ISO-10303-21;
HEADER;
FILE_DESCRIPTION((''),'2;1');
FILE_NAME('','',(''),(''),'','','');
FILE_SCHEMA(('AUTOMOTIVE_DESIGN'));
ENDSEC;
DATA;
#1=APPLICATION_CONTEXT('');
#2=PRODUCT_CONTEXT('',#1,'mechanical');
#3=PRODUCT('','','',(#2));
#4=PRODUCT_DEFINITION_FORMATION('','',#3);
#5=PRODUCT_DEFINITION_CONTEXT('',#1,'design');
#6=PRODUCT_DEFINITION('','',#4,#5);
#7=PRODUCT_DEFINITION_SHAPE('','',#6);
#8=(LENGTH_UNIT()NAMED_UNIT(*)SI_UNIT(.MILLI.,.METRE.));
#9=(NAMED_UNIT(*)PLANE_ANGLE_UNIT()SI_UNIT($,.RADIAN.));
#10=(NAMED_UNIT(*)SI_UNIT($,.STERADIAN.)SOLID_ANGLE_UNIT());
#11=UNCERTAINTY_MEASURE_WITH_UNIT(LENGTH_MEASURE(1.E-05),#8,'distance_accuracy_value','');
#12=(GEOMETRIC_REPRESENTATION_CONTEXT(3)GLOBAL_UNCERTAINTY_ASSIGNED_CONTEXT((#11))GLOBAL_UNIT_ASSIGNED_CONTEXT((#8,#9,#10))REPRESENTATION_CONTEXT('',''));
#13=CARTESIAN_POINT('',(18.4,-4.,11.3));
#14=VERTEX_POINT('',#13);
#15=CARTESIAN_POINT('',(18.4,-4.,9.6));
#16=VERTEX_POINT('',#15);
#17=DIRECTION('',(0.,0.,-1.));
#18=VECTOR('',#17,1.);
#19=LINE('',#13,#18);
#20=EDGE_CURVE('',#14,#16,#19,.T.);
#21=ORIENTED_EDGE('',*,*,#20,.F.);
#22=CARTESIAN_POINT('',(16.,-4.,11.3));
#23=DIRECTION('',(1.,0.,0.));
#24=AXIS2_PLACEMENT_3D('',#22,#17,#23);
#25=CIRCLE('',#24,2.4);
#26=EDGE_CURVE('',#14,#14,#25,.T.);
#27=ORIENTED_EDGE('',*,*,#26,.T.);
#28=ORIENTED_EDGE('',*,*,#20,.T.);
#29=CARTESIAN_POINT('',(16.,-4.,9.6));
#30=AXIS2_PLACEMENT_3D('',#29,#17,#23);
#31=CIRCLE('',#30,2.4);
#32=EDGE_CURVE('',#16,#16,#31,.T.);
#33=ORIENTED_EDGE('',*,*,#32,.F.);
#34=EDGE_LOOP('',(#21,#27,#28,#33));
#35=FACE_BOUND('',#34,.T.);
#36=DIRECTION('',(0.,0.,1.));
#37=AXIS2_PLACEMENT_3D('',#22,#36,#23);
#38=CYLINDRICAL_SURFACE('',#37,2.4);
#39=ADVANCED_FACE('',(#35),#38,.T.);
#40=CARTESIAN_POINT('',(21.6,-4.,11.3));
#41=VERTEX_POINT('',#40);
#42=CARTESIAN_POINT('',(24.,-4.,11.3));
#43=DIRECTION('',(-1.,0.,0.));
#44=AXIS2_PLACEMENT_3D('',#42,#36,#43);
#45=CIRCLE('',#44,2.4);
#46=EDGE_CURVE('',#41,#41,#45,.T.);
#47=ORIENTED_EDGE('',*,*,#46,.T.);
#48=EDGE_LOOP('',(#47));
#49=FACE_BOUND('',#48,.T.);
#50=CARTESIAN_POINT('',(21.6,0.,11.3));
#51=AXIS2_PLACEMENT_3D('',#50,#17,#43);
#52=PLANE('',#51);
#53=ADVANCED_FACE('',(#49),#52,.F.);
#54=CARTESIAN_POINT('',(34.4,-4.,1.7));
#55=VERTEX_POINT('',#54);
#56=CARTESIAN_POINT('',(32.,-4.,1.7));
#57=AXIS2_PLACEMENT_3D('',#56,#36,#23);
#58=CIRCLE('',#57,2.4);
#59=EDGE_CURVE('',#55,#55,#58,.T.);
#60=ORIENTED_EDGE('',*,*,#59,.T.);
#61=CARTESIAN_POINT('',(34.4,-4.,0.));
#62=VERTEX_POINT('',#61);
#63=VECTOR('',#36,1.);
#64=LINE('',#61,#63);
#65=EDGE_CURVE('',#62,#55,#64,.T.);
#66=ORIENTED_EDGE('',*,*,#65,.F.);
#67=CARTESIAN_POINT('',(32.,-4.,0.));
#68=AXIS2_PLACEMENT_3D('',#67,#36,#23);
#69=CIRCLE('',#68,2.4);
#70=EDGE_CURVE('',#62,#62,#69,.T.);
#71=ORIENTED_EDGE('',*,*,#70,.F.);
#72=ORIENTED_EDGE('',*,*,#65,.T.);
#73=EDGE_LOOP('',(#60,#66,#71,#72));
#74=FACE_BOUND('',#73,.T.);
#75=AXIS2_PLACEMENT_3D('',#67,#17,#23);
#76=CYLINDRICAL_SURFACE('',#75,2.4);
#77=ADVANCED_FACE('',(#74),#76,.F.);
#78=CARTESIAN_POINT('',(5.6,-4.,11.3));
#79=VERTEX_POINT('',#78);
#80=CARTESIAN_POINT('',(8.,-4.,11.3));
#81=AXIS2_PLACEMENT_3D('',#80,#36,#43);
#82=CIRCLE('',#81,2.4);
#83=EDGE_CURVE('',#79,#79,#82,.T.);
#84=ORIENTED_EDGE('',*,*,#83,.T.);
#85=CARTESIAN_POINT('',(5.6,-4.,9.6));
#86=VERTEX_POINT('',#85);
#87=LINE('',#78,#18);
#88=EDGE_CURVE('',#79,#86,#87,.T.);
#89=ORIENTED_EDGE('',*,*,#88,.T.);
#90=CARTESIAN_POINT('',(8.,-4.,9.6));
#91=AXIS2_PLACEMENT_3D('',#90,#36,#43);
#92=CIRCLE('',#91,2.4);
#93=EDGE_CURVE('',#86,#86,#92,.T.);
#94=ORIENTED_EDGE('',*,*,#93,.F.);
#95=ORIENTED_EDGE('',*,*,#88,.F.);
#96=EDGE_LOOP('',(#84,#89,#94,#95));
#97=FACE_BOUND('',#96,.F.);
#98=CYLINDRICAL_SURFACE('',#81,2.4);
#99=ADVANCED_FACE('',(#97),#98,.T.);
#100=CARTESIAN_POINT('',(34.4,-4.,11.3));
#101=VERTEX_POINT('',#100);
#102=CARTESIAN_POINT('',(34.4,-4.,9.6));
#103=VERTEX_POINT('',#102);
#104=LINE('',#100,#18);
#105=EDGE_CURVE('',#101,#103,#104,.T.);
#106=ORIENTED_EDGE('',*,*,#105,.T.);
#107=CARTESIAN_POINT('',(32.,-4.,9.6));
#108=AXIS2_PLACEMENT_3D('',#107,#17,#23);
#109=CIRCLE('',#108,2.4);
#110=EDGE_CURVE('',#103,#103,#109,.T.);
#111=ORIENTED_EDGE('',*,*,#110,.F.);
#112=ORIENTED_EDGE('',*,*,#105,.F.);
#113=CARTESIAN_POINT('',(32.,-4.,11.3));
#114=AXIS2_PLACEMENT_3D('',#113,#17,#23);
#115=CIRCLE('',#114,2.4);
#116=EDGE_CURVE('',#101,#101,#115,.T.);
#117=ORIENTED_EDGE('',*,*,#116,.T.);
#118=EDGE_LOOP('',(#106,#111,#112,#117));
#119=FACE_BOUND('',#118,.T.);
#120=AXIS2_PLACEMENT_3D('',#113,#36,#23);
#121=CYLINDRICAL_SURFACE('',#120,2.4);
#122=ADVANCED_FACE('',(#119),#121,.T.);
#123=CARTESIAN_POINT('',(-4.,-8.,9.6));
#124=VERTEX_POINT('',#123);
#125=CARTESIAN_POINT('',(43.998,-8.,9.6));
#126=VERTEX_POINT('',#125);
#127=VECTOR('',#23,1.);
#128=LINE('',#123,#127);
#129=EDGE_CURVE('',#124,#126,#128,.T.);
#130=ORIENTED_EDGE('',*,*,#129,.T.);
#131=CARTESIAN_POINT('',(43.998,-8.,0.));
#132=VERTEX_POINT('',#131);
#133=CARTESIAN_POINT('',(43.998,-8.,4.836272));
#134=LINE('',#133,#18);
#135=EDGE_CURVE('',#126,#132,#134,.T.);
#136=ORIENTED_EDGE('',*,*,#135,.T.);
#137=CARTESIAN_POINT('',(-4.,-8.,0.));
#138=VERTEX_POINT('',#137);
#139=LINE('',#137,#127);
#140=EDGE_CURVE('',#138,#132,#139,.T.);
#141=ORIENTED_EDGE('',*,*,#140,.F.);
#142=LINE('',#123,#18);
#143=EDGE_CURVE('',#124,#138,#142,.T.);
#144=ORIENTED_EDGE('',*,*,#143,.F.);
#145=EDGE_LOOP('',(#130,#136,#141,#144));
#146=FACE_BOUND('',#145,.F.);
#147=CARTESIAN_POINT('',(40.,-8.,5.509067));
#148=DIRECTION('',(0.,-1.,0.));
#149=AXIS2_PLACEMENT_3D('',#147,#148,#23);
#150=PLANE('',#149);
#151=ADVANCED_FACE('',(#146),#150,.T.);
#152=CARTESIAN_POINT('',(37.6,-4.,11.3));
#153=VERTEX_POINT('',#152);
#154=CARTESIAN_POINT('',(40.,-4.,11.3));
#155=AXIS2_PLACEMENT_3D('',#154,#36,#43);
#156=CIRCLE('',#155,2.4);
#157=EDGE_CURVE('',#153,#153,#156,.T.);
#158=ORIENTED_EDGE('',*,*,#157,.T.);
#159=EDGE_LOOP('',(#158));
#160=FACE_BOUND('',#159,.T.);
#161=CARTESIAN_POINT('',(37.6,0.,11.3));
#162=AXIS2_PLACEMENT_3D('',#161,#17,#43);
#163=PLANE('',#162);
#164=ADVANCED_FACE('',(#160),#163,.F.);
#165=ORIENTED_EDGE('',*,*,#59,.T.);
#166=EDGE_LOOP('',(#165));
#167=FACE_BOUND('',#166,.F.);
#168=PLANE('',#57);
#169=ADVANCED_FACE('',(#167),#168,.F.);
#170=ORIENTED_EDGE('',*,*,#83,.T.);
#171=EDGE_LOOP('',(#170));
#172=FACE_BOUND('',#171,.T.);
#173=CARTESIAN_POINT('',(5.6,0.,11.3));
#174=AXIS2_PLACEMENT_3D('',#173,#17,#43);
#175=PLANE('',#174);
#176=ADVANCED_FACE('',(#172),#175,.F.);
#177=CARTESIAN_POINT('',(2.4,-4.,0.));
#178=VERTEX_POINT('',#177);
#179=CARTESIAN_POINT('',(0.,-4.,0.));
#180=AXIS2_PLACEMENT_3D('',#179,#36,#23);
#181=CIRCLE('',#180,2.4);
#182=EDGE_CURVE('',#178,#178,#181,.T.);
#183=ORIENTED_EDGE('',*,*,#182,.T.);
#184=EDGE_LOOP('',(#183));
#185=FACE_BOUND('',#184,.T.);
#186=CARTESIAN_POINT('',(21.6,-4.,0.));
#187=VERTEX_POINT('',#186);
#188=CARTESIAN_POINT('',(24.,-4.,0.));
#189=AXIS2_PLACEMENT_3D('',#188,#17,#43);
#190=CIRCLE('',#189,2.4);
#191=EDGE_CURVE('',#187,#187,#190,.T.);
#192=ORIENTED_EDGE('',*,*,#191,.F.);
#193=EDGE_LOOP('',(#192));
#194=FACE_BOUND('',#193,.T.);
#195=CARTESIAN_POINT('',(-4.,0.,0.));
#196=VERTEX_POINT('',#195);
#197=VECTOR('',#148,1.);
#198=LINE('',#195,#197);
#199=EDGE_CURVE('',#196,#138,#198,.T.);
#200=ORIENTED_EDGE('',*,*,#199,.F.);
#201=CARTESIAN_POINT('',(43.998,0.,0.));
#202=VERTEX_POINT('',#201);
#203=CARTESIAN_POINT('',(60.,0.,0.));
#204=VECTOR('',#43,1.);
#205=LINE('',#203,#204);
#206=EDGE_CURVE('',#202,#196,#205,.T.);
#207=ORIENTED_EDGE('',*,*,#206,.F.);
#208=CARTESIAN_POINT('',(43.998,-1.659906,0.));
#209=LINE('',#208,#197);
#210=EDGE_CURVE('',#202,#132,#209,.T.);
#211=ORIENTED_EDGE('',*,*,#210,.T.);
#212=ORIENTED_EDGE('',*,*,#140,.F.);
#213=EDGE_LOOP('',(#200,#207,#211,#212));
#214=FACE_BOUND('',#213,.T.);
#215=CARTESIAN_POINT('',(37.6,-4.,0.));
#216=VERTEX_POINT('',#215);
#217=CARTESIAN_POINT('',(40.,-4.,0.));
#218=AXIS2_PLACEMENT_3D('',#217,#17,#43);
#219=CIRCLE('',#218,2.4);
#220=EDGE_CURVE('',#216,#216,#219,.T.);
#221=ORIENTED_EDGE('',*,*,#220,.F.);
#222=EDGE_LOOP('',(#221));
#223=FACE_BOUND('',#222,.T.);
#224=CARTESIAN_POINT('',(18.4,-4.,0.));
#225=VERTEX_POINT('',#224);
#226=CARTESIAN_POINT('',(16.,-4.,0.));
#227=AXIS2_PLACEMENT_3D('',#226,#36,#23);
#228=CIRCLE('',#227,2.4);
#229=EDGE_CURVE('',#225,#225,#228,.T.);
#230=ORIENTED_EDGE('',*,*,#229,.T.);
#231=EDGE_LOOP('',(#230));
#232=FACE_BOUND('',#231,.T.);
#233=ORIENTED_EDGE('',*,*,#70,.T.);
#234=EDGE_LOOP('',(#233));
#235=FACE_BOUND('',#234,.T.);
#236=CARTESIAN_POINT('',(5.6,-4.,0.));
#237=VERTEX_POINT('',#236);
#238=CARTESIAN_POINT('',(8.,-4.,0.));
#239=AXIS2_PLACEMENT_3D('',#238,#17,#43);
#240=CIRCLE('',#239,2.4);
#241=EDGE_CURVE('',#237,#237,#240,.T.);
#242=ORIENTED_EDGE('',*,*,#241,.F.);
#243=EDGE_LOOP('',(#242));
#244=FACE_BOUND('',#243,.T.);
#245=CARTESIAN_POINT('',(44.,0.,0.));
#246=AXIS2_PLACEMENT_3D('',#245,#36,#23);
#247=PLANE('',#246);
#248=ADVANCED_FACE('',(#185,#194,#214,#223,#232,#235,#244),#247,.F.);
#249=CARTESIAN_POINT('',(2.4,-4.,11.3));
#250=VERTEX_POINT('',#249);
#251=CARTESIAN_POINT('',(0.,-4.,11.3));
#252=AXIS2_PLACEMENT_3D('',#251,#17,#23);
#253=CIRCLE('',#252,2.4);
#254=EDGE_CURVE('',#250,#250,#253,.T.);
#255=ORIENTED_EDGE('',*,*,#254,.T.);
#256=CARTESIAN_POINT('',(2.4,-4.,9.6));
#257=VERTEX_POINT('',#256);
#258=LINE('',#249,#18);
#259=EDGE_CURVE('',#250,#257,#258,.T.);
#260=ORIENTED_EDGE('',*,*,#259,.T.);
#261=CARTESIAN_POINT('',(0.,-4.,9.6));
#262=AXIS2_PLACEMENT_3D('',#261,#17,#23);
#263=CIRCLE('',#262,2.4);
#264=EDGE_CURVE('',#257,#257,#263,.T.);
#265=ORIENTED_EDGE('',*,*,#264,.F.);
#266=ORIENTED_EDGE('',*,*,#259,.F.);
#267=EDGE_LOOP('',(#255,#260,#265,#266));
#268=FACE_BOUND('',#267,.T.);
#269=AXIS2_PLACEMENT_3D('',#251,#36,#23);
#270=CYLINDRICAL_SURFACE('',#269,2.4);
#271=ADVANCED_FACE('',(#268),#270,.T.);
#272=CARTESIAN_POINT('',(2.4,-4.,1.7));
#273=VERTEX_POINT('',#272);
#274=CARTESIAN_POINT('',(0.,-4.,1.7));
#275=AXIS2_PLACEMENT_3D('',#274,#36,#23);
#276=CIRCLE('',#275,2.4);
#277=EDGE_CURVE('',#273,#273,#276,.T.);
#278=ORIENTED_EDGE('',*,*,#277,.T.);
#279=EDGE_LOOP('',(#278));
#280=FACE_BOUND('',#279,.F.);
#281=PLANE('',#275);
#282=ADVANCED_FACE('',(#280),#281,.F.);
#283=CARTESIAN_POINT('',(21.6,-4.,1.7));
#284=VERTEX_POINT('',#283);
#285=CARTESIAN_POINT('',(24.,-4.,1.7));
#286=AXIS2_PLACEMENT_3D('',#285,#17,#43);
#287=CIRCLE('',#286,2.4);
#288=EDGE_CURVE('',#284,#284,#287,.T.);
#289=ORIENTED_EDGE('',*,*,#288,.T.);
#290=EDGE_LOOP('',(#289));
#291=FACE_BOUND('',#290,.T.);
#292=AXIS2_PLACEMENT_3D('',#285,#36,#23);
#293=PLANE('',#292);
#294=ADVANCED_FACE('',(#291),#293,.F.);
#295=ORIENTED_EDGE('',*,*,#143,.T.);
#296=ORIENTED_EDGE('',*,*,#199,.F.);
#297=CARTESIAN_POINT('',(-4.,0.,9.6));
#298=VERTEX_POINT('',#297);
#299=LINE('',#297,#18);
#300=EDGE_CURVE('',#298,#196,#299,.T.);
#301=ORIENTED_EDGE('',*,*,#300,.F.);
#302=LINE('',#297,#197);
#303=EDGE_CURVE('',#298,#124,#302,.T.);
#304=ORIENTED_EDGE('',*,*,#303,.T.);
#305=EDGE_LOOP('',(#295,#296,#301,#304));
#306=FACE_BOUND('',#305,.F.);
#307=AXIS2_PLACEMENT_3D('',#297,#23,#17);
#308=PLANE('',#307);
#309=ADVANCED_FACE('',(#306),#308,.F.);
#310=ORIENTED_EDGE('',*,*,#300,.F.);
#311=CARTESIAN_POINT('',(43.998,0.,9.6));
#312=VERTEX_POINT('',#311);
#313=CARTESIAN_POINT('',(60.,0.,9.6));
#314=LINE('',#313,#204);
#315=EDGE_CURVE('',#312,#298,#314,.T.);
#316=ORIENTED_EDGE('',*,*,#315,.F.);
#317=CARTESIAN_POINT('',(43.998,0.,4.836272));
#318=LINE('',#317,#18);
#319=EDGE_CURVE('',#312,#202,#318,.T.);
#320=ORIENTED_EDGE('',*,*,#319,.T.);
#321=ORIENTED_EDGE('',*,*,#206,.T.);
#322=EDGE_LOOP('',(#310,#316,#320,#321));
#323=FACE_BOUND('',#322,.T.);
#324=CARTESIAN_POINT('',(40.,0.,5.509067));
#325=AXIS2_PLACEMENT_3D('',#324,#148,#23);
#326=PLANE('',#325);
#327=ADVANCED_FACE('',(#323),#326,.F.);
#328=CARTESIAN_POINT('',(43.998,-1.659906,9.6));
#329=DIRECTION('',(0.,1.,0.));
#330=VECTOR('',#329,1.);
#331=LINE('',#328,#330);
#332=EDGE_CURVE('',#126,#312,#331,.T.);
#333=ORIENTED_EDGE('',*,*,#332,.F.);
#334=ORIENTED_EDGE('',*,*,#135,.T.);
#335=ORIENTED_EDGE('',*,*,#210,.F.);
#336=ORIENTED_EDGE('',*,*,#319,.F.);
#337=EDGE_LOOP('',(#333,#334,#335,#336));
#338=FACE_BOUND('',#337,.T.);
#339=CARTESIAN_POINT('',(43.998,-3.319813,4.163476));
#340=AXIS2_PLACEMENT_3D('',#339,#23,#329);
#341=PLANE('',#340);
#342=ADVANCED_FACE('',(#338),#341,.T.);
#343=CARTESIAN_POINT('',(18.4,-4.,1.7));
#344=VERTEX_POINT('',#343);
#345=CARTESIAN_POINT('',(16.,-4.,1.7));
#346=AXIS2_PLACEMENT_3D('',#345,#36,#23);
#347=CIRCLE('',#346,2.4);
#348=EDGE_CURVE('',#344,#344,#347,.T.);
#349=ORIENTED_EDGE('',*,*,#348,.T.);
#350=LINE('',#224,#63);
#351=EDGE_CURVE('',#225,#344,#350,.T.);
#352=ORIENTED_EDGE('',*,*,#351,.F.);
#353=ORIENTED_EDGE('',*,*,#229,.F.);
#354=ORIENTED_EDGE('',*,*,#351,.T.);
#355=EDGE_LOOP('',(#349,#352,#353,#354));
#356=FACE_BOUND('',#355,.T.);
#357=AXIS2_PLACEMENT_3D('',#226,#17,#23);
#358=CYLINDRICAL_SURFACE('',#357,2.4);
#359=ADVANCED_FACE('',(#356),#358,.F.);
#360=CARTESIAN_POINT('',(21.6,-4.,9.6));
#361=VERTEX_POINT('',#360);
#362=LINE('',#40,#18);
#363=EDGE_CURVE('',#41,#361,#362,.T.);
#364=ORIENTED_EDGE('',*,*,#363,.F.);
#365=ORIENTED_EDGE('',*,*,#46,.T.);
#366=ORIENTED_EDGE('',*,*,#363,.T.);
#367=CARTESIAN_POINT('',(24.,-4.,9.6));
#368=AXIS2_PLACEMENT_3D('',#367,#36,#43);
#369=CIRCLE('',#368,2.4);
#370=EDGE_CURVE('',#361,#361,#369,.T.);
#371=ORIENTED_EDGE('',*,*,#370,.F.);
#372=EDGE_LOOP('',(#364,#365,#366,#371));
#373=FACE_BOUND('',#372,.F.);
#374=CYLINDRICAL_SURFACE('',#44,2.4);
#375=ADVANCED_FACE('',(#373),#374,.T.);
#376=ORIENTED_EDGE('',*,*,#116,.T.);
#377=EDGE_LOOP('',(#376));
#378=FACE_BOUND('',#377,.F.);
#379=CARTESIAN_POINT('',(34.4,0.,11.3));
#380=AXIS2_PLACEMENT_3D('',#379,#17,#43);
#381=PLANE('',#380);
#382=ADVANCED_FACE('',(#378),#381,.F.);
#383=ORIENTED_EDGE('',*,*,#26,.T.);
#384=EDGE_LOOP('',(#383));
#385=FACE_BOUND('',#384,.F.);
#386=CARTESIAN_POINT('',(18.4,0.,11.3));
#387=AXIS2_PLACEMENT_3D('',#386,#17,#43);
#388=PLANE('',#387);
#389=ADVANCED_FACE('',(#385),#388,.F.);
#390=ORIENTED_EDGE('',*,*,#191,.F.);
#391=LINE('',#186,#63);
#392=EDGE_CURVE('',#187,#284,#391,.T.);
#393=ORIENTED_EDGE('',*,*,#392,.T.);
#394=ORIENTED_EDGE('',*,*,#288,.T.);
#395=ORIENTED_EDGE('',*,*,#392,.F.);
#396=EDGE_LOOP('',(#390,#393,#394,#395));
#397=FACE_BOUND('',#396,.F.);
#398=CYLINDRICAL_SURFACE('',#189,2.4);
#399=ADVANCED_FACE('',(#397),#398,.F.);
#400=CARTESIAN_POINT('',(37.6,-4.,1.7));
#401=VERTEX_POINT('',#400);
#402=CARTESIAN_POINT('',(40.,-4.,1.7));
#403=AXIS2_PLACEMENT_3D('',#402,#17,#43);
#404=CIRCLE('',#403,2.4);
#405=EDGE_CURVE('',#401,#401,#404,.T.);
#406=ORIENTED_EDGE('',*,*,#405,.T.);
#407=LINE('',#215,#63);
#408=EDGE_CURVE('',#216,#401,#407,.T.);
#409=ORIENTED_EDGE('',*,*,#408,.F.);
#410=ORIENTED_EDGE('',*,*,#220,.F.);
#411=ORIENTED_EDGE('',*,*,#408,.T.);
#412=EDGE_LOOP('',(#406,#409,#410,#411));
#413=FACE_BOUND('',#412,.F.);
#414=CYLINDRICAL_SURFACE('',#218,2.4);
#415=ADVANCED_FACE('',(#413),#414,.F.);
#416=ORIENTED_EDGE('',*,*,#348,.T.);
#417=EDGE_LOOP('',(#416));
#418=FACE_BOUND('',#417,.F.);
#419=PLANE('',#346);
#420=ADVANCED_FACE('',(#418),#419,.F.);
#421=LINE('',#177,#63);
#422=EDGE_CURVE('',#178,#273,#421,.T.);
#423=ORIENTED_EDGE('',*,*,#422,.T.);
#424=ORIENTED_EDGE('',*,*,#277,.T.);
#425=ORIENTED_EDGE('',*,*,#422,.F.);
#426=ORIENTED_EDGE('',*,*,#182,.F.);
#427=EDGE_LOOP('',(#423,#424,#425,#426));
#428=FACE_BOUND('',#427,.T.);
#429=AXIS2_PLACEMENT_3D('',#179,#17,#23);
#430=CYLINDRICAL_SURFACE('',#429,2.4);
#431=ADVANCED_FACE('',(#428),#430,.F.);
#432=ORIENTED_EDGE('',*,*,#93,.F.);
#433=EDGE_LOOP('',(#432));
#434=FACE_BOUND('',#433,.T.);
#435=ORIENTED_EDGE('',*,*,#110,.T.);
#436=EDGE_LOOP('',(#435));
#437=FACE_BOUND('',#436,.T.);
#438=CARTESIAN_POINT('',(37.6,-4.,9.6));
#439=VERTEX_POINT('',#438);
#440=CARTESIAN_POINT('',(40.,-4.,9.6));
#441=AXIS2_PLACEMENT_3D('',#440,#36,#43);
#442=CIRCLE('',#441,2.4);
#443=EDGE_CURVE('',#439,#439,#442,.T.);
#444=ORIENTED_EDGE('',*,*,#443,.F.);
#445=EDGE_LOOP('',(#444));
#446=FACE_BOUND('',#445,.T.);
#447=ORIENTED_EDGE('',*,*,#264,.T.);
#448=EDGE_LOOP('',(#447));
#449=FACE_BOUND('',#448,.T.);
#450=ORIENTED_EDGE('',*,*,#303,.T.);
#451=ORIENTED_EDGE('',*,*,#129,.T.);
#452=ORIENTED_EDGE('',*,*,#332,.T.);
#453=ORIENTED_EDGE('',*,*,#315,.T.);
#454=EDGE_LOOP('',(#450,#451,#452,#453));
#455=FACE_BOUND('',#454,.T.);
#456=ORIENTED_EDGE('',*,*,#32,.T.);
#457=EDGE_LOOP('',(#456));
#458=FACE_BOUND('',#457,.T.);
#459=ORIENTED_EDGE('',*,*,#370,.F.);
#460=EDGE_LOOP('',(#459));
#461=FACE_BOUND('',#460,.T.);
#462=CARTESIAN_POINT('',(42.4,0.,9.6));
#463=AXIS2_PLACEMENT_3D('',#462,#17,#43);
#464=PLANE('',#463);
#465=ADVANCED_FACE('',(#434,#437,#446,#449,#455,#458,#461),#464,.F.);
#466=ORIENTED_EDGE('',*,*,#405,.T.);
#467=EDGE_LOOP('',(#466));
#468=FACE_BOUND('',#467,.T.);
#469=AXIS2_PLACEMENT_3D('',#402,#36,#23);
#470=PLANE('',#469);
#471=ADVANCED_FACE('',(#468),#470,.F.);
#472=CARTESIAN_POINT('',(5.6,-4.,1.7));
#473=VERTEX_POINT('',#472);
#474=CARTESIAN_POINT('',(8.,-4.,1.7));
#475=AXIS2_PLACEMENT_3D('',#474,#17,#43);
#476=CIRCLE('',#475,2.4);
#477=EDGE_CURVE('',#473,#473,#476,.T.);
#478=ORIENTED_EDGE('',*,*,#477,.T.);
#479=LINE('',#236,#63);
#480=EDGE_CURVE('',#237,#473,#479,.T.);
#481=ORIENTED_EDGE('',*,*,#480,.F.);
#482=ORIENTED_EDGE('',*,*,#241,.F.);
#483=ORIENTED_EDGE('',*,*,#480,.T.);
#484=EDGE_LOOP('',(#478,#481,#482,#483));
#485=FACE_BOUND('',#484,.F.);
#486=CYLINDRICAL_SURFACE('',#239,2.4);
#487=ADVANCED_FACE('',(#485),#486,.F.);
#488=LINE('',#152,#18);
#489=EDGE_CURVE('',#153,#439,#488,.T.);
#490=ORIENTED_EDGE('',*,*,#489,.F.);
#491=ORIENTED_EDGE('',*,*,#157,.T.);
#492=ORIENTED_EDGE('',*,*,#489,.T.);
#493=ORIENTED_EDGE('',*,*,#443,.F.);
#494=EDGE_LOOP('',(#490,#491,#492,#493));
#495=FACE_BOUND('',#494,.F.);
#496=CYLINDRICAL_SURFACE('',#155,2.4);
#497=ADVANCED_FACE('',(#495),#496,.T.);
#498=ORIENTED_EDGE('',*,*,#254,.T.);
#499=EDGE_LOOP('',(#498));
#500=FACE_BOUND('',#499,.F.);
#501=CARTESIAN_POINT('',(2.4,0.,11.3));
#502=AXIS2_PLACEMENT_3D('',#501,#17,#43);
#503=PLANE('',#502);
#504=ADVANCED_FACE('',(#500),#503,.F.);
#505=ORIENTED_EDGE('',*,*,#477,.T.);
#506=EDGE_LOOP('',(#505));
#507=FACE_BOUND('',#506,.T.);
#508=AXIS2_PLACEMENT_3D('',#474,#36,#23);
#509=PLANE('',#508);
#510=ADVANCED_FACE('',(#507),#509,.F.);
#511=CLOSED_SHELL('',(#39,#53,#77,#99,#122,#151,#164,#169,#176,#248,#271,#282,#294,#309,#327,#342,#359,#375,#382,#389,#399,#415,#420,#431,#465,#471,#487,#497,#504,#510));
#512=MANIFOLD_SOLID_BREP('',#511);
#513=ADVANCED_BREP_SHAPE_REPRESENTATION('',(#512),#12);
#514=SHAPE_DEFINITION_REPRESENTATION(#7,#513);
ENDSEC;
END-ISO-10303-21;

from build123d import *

# Parameters (mm, degrees)
F1_DEPTH  = 8
F3_W      = 8
F3_H      = 8
F3_R      = 2.4
F4_DEPTH  = 1.7
F5_R      = 2.4
F6_DEPTH  = 1.7
F13_W     = 22.9428485036
F13_H     = 31.0530802235
F14_DEPTH = 16.002


with BuildPart() as f1:
    # F0 (on Front) → F1 (new body)
    with BuildSketch(Plane.XZ):
        Polygon((-2.4, 9.6), (-4, 9.6), (-4, 0), (4, 0), (4, 9.6), (2.4, 9.6), (2.4, 11.3), (-2.4, 11.3), align=None)
    extrude(amount=F1_DEPTH)

    # F3 (on plane+point) → F4 (cut, through all)
    with BuildSketch(Plane.XY.offset(11.3)):
        with Locations((0, -4)):
            Rectangle(F3_W, F3_H)
        with Locations((0, -4)):
            Circle(F3_R, mode=Mode.SUBTRACT)
    extrude(amount=-F4_DEPTH, mode=Mode.SUBTRACT)

    # F5 (on Top) → F6 (cut)
    with BuildSketch(Plane.XY):
        with Locations((0, -4)):
            Circle(F5_R)
    extrude(amount=F6_DEPTH, mode=Mode.SUBTRACT)

    # F8: F1 across plane


with BuildPart() as f1_1:
    add(f1.part)
    add(f1.part.mirror(Plane.YZ.offset(4)))

    # F10: F1 across plane


with BuildPart() as f1_2:
    add(f1_1.part)
    add(f1_1.part.mirror(Plane.YZ.offset(12)))

    # F12: F1 across plane


with BuildPart() as f1_3:
    add(f1_2.part)
    add(f1_2.part.mirror(Plane.YZ.offset(28)))

    # F13 (on face) → F14 (cut)
    with BuildSketch(Plane.YZ.offset(60)):
        with Locations((-3.3198129386, 4.1634761728)):
            Rectangle(F13_W, F13_H)
    extrude(amount=-F14_DEPTH, mode=Mode.SUBTRACT)


solid = f1_3.part
